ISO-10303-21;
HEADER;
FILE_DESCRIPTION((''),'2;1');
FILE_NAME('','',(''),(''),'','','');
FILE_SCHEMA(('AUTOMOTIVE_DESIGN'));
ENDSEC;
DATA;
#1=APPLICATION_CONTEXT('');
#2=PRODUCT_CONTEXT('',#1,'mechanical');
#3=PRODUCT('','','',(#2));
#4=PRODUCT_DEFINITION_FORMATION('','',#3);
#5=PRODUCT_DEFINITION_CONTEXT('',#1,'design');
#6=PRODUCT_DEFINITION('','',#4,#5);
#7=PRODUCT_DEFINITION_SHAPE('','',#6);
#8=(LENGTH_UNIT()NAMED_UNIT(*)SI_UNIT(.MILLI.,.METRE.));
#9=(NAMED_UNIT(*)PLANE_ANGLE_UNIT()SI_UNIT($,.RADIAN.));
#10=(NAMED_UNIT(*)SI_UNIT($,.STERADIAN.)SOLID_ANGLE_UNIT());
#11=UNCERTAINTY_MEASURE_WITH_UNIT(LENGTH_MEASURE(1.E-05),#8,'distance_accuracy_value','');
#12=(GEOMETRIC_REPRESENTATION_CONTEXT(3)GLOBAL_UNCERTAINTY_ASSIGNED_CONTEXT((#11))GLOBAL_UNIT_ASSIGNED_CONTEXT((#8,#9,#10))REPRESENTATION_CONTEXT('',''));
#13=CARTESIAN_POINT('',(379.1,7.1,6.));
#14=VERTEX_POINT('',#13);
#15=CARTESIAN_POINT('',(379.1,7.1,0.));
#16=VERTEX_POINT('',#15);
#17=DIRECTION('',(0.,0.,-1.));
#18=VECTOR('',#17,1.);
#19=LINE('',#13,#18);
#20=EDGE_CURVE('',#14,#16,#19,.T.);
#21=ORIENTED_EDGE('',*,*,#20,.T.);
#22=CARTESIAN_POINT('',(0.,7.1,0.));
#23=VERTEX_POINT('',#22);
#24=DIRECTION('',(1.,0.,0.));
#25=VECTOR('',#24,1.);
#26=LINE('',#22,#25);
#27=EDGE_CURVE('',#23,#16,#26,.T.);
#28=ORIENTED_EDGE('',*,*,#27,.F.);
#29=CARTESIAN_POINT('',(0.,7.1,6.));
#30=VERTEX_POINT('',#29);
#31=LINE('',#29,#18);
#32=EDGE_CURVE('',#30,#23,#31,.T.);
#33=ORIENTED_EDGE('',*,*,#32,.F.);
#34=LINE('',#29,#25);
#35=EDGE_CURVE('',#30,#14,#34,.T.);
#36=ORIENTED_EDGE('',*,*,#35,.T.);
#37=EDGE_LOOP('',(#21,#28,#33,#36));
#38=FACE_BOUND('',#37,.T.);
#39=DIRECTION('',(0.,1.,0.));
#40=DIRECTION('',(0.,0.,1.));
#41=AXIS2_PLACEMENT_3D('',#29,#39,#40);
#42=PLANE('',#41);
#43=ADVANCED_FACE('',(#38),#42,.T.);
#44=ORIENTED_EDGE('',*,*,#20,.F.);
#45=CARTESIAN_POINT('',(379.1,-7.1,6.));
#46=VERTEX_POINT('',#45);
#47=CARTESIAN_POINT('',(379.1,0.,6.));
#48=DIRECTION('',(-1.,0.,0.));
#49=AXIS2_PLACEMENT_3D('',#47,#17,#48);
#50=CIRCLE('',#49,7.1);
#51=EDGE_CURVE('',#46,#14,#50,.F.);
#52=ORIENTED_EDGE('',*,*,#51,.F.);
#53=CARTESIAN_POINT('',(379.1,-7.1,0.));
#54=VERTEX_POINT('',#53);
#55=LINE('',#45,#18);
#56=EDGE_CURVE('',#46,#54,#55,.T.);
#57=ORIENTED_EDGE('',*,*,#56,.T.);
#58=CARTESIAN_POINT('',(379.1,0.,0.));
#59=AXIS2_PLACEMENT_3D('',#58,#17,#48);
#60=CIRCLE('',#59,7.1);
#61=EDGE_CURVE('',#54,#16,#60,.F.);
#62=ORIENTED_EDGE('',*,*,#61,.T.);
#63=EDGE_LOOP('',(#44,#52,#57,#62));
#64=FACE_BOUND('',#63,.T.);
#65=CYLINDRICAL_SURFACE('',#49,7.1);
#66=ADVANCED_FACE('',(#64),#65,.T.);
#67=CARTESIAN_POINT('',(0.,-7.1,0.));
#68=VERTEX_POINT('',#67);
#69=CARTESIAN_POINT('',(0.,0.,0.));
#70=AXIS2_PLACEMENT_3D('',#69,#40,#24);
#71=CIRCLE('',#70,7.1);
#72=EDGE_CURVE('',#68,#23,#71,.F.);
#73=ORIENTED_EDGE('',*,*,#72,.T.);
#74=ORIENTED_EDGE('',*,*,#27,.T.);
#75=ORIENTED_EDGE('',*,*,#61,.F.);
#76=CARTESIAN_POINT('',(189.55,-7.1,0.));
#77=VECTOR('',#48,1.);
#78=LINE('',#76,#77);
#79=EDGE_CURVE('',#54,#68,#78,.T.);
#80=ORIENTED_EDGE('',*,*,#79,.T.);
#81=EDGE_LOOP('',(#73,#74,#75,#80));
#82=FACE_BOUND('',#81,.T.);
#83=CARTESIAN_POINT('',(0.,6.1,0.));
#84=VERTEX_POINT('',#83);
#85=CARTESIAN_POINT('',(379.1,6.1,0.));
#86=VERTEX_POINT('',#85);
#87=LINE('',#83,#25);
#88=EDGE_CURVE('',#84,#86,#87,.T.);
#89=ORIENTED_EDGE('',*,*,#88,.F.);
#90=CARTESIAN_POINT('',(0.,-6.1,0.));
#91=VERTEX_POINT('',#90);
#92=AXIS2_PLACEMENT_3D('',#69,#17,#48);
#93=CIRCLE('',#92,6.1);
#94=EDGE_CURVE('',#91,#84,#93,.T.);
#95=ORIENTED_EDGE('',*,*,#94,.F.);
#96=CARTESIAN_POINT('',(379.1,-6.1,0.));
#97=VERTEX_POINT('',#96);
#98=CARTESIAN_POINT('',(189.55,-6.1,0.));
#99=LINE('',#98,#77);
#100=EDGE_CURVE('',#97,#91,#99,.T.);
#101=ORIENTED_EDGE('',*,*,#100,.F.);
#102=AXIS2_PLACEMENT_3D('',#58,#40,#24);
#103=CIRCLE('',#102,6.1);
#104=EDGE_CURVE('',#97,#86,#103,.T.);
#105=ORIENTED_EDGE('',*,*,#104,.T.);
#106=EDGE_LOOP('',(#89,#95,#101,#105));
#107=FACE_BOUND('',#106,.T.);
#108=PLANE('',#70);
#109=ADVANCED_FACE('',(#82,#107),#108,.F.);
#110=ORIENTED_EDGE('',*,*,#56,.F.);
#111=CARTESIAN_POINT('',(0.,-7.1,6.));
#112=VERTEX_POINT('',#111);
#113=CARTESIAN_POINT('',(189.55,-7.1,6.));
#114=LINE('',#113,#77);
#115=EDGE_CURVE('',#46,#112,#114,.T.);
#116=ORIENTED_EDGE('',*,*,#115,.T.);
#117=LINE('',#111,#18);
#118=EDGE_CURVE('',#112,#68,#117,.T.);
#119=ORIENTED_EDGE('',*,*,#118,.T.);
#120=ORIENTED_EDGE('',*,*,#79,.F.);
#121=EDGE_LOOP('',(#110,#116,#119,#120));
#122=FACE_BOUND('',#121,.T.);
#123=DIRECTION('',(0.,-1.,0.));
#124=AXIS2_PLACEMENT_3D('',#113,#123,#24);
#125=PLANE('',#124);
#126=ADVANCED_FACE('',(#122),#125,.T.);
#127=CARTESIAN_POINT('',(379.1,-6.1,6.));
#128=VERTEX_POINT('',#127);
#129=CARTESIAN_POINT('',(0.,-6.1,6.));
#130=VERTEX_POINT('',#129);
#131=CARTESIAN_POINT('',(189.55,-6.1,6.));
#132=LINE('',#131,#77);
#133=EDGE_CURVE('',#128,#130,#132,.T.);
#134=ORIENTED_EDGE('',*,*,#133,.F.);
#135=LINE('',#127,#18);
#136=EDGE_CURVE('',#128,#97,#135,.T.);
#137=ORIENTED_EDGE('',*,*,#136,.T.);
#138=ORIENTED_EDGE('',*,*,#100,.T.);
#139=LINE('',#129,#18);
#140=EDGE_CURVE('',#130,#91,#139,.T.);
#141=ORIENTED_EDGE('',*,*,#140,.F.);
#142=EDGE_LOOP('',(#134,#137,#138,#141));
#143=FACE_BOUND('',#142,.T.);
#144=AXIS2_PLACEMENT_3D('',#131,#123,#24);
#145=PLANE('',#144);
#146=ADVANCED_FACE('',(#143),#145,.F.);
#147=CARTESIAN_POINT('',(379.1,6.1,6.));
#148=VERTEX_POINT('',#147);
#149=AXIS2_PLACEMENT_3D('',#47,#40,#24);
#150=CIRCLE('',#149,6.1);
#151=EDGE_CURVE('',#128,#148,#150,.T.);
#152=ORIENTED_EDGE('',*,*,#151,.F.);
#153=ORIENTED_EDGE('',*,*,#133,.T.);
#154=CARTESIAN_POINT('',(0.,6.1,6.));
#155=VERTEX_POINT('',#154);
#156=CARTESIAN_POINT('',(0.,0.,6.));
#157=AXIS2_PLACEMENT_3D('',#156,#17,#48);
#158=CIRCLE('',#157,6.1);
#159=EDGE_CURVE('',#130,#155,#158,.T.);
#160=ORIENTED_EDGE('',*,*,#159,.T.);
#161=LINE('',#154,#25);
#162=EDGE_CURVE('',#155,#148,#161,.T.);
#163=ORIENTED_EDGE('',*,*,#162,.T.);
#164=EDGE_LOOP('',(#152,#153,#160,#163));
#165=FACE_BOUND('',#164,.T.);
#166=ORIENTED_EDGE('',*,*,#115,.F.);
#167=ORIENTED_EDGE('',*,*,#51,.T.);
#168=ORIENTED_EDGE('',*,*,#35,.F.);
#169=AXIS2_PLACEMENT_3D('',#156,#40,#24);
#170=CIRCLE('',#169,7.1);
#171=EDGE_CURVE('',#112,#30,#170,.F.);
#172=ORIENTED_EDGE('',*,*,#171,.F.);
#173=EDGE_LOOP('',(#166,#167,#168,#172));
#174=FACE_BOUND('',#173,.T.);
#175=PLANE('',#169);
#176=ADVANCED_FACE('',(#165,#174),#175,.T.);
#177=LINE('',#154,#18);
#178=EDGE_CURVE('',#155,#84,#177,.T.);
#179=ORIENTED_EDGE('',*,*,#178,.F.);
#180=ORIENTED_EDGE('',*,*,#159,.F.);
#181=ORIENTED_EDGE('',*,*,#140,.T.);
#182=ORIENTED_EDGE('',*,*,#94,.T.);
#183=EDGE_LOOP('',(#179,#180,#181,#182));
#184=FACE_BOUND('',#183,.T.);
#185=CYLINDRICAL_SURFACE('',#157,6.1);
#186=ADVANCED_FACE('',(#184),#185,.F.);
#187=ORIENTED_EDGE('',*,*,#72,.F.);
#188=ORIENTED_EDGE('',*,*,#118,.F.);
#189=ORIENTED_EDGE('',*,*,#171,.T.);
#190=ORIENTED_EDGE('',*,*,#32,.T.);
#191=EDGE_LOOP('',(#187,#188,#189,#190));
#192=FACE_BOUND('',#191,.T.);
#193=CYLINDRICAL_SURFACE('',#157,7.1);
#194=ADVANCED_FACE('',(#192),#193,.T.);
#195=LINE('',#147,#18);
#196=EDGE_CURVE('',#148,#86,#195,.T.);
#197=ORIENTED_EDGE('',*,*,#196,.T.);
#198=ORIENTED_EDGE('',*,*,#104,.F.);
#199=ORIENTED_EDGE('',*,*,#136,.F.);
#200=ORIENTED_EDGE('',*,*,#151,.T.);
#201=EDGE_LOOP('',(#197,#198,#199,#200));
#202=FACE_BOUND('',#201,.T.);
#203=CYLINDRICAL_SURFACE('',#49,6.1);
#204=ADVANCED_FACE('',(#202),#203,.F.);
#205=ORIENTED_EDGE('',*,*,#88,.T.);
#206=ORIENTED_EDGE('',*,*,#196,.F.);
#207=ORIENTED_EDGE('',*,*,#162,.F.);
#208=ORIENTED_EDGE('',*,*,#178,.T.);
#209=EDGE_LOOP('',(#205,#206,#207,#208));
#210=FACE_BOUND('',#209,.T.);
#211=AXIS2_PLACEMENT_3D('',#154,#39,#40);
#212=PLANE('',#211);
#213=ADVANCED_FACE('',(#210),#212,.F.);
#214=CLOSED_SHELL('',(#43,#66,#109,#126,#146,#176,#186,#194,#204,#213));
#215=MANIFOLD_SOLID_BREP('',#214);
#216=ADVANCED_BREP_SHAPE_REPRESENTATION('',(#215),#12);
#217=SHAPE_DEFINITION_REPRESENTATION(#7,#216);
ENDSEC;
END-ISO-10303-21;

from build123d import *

# Parameters (mm, degrees)
EXTRUDE_THIN1_DEPTH = 6


with BuildPart() as part:
    # Sketch2 → Extrude-Thin1 (new body)
    with BuildSketch(Plane.XY):
        with BuildLine():
            Line((189.55, -6.1), (0, -6.1))
            ThreePointArc((0, -6.1), (-6.1, 0), (0, 6.1))
            Line((0, 6.1), (189.55, 6.1))
            Line((189.55, 6.1), (189.55, 7.1))
            Line((189.55, 7.1), (0, 7.1))
            ThreePointArc((0, 7.1), (-7.1, 0), (0, -7.1))
            Line((0, -7.1), (189.55, -7.1))
            Line((189.55, -7.1), (189.55, -6.1))
        make_face()
    extrude_thin1 = extrude(amount=EXTRUDE_THIN1_DEPTH)

    # Mirror1: Extrude-Thin1 across plane
    add(extrude_thin1.mirror(Plane(origin=(189.55, 7.1, 6), x_dir=(0, 0, 1), z_dir=(1, 0, 0))))


solid = part.part
